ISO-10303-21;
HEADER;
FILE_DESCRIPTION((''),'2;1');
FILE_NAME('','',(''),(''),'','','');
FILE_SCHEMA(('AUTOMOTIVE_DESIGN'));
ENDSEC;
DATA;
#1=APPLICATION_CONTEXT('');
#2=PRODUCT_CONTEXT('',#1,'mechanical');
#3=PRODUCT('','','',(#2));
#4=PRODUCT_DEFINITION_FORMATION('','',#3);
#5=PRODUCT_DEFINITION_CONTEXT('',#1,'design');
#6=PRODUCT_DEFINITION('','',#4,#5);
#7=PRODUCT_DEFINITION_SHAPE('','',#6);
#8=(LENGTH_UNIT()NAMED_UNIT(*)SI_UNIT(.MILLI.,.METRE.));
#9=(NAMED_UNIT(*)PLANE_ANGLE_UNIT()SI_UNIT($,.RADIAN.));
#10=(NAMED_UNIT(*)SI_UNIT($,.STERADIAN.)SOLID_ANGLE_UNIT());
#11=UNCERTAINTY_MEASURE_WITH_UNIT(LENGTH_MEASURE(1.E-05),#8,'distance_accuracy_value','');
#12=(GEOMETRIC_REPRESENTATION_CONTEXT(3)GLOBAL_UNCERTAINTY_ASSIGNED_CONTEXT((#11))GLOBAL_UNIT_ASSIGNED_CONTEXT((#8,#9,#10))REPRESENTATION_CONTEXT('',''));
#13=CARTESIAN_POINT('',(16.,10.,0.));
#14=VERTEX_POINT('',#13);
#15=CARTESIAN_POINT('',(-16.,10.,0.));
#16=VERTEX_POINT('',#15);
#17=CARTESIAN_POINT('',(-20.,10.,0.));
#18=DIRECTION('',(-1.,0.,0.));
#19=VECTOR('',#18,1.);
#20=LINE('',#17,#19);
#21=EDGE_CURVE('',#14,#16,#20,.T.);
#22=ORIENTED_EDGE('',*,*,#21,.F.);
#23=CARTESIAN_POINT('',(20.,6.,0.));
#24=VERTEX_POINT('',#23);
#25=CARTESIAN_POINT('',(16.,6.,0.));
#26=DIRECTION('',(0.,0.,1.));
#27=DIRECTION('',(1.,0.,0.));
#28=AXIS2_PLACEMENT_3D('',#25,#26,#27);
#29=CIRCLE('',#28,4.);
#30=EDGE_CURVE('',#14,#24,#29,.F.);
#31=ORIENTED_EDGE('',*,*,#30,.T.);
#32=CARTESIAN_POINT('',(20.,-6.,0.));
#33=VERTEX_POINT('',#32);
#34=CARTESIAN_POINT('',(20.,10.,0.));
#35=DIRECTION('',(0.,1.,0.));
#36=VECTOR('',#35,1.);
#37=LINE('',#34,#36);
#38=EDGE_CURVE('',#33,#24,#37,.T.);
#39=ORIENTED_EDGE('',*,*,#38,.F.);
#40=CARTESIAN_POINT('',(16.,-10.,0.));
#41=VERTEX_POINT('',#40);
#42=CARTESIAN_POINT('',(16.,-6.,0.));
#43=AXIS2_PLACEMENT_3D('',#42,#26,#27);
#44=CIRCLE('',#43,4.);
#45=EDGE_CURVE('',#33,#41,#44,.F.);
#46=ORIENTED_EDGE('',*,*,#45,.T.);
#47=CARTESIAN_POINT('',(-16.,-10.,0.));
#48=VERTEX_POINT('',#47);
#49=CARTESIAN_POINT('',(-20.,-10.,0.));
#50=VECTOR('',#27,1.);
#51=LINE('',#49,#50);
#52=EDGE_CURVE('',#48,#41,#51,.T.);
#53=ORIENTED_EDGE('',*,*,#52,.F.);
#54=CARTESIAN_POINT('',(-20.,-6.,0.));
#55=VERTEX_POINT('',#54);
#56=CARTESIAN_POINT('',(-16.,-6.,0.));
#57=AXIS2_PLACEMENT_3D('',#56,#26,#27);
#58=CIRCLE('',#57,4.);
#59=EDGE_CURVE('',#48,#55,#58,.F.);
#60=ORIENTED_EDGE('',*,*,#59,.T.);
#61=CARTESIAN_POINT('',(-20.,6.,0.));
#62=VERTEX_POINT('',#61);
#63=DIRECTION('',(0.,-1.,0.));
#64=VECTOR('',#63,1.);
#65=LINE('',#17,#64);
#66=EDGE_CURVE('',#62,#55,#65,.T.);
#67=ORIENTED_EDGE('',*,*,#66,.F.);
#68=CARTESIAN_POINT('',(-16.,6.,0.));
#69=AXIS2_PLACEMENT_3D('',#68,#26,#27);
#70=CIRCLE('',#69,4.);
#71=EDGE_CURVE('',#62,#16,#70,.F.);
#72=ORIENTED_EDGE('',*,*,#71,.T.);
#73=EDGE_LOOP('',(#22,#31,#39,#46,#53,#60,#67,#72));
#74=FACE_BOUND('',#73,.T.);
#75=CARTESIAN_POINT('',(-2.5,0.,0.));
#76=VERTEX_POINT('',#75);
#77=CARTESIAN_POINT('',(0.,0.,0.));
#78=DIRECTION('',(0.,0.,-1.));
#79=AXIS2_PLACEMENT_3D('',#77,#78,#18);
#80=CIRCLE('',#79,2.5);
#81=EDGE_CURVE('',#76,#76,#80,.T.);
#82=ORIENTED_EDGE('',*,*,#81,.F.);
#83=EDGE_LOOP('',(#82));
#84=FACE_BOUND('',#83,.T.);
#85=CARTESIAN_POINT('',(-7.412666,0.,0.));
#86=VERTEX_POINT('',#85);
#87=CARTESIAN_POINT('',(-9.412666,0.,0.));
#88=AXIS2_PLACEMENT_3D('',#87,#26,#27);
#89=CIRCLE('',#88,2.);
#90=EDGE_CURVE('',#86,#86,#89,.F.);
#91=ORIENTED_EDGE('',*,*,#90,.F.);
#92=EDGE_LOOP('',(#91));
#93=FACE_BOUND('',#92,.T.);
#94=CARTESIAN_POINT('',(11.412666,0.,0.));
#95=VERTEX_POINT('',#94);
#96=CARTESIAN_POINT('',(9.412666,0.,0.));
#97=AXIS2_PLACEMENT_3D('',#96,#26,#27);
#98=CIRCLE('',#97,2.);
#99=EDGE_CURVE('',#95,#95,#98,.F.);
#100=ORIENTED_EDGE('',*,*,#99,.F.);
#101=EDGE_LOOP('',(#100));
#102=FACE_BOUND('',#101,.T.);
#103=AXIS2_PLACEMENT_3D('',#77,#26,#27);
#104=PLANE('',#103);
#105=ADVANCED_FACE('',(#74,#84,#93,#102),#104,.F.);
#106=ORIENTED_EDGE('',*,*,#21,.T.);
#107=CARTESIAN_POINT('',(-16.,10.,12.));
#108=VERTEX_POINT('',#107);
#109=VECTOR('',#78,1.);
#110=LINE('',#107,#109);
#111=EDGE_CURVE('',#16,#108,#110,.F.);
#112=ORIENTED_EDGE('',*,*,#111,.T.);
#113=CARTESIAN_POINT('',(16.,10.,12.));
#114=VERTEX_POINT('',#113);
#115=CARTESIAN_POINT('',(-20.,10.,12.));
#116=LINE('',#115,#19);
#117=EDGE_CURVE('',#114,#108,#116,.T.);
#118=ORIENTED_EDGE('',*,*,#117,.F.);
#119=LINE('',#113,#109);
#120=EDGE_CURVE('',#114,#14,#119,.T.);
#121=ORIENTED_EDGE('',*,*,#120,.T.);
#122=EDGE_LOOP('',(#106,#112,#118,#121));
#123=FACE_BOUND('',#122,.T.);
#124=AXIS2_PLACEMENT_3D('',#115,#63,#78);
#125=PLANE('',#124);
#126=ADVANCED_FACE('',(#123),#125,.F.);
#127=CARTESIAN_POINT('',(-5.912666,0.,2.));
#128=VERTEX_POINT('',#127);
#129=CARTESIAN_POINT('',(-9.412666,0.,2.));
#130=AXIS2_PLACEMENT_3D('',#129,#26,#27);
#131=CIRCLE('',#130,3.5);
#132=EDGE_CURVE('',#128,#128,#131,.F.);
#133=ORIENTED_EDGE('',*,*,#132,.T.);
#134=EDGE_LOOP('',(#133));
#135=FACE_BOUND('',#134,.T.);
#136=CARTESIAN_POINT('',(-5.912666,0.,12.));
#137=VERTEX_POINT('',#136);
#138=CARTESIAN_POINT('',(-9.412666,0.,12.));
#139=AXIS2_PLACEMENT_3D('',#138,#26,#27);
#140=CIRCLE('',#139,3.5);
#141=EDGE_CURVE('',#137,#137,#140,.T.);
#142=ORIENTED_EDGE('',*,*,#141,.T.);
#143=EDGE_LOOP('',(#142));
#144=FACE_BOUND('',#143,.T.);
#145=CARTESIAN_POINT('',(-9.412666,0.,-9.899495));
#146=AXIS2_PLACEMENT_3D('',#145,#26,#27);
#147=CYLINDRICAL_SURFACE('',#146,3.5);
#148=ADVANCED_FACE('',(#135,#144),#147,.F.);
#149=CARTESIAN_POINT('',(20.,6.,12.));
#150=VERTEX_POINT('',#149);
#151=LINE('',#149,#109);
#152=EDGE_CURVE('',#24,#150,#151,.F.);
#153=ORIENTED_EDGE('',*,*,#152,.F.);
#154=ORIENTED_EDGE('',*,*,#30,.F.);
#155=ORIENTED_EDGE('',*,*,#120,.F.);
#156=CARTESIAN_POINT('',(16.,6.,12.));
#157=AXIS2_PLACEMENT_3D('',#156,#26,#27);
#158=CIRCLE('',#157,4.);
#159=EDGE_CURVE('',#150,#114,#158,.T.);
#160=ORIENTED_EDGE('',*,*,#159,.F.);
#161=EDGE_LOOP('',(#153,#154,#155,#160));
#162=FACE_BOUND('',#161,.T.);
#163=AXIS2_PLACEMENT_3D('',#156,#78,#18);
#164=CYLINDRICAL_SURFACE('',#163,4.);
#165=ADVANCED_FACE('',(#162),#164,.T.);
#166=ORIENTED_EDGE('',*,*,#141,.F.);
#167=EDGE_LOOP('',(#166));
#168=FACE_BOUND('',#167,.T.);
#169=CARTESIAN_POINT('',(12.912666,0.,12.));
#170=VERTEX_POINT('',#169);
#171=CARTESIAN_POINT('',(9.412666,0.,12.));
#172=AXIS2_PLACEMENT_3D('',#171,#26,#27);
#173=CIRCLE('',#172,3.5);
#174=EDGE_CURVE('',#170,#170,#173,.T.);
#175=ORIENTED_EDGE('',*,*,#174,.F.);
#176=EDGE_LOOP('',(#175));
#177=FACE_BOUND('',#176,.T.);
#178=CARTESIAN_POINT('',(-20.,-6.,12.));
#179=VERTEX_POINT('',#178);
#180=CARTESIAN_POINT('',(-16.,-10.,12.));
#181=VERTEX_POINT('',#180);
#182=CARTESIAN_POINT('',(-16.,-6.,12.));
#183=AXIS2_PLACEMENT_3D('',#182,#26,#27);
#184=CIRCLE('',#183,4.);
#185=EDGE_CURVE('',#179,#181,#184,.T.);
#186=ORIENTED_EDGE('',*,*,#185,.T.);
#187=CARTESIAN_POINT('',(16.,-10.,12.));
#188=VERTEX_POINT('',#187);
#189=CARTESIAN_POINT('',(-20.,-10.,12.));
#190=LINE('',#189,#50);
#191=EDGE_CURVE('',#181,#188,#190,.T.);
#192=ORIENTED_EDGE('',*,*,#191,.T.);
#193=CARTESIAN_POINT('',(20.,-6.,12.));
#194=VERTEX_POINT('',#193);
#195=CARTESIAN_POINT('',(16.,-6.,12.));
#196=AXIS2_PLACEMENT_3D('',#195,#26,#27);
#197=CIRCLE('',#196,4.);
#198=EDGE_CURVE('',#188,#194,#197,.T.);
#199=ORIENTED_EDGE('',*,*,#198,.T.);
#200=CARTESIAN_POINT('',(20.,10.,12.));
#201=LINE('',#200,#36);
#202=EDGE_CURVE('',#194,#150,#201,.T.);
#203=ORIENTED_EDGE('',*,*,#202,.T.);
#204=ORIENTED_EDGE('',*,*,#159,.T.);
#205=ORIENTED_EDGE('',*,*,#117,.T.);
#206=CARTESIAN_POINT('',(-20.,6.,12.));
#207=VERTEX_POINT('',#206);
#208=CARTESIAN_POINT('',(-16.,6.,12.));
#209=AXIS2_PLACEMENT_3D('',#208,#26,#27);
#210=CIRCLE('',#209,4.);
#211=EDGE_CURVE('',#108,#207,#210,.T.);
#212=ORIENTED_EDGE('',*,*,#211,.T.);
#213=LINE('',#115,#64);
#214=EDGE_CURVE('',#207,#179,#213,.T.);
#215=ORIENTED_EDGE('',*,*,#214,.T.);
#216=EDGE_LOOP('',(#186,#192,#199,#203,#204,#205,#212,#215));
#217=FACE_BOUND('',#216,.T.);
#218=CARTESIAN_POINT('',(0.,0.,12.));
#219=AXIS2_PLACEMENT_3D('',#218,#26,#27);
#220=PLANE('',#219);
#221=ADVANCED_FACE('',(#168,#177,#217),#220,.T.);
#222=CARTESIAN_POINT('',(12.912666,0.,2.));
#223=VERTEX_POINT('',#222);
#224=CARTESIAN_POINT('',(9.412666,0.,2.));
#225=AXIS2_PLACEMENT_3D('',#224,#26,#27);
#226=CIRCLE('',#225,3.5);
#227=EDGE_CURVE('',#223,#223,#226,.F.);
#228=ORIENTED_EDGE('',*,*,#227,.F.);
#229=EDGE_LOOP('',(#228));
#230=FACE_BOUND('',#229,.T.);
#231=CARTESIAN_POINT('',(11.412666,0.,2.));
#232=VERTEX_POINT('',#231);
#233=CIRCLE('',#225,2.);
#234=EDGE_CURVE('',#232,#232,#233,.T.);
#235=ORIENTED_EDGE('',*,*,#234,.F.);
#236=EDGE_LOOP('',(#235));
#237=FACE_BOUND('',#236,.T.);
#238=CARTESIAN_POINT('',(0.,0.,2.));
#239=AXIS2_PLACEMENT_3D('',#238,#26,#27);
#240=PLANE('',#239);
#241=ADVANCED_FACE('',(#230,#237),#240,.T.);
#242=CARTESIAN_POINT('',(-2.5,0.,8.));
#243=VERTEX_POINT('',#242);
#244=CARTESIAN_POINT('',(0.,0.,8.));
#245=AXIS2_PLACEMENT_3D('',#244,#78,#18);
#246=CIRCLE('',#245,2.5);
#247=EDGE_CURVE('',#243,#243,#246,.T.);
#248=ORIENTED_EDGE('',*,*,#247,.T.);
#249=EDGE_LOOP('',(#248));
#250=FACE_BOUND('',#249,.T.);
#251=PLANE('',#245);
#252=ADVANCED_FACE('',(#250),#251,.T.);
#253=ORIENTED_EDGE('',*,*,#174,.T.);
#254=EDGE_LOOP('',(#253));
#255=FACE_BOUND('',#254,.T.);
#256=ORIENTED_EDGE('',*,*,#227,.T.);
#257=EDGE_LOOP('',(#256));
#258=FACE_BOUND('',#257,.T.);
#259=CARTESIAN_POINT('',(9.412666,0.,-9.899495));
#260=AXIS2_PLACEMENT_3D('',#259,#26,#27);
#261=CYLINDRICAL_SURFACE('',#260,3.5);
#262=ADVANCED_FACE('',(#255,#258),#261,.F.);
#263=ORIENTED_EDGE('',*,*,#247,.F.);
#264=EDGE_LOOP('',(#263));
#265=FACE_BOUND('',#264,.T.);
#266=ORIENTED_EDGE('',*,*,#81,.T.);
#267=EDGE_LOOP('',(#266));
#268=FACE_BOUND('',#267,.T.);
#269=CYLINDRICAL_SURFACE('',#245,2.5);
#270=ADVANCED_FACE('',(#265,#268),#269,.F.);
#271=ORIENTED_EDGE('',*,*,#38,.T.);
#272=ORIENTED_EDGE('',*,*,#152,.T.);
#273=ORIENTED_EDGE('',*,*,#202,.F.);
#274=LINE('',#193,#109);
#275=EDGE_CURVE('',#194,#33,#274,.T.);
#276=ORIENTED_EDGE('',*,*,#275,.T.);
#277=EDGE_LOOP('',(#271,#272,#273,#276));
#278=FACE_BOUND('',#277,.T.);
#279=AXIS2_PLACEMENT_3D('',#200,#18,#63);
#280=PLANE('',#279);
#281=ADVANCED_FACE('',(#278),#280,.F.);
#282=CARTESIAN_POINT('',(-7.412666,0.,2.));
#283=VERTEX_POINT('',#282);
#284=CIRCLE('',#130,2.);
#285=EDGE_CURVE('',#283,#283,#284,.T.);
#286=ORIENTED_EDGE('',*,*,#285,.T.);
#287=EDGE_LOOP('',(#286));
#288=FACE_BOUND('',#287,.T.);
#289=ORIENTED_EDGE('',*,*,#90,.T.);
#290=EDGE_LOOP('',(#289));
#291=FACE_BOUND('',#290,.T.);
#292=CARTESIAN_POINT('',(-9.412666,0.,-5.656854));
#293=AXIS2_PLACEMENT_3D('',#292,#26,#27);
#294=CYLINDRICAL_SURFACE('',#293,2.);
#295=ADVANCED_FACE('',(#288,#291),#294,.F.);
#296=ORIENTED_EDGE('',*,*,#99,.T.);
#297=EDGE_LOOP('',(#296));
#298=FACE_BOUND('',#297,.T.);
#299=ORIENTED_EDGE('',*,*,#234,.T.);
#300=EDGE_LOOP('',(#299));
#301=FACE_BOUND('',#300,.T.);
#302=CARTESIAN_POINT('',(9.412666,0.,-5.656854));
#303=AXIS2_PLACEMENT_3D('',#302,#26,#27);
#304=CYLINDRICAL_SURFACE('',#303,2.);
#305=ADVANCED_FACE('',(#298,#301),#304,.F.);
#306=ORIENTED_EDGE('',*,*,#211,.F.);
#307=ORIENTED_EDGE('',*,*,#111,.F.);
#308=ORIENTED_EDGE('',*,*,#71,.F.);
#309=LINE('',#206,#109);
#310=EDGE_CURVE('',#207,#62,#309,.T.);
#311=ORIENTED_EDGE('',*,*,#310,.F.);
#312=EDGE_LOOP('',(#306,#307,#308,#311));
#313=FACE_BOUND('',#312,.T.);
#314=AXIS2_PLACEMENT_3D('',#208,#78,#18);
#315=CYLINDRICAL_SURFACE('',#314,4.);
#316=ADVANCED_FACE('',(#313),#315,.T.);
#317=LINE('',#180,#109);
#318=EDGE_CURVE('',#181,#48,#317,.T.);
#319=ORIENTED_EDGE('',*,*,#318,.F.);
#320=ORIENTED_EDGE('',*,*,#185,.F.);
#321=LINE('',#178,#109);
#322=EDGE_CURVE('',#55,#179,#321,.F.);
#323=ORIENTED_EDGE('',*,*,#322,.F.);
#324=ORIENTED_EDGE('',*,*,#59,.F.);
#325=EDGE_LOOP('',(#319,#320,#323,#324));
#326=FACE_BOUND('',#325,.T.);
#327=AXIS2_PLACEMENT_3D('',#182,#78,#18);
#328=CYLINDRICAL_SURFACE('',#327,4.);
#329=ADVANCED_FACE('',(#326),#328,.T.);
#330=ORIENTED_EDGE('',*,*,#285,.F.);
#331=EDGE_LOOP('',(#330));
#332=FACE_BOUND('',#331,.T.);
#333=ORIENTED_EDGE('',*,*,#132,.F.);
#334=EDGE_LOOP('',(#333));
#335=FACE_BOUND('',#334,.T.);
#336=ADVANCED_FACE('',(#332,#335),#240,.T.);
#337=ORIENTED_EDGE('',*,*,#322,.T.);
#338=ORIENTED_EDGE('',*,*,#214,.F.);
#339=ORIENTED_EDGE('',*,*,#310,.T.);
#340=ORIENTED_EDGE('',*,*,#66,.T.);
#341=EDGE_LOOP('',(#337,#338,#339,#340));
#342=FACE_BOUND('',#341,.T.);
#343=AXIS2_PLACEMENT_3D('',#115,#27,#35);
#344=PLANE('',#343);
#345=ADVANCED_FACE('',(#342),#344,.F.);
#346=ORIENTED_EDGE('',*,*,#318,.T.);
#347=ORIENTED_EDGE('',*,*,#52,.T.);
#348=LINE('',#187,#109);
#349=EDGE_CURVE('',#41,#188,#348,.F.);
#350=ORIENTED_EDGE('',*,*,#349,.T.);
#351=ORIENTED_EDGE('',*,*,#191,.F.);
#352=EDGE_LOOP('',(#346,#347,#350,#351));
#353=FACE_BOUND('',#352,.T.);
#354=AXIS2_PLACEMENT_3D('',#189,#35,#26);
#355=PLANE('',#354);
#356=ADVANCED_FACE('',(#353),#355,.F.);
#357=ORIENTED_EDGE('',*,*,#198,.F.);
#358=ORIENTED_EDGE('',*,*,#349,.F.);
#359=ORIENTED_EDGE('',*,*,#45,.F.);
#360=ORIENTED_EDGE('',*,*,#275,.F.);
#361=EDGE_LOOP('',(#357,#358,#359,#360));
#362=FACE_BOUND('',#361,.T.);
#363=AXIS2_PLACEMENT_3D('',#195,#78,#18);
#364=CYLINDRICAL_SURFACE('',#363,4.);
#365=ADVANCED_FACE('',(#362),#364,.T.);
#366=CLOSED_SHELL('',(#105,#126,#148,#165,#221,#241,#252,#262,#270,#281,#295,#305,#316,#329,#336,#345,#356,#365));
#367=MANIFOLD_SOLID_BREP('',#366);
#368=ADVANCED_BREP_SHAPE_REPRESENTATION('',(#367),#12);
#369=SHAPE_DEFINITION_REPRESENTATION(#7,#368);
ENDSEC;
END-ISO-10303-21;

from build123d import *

# Parameters (mm, degrees)
CROQUIS1_W              = 40
CROQUIS1_H              = 20
SALIENTE_EXTRUIR1_DEPTH = 12
REDONDEO1_R             = 4
CROQUIS2_R              = 2.5
CORTAR_EXTRUIR1_DEPTH   = 8
CROQUIS3_R              = 3.5
CORTAR_EXTRUIR2_DEPTH   = 10
CROQUIS4_R              = 2
CORTAR_EXTRUIR3_DEPTH   = 2


with BuildPart() as part:
    # Croquis1 → Saliente-Extruir1 (new body)
    with BuildSketch(Plane.XY):
        Rectangle(CROQUIS1_W, CROQUIS1_H)
    extrude(amount=SALIENTE_EXTRUIR1_DEPTH)

    # Redondeo1
    redondeo1_edges = [part.edges().sort_by_distance(p)[0] for p in [
        (20, -10, 6),
        (-20, -10, 6),
        (-20, 10, 6),
        (20, 10, 6),
    ]]
    fillet(redondeo1_edges, radius=REDONDEO1_R)

    # Croquis2 → Cortar-Extruir1 (cut)
    with BuildSketch(Plane(origin=(0, 0, 0), x_dir=(-1, 0, 0), z_dir=(0, 0, -1))):
        Circle(CROQUIS2_R)
    extrude(amount=-CORTAR_EXTRUIR1_DEPTH, mode=Mode.SUBTRACT)

    # Croquis3 → Cortar-Extruir2 (cut)
    with BuildSketch(Plane.XY.offset(12)):
        with Locations((-9.41266553, 0)):
            Circle(CROQUIS3_R)
        with Locations((9.41266553, 0)):
            Circle(CROQUIS3_R)
    extrude(amount=-CORTAR_EXTRUIR2_DEPTH, mode=Mode.SUBTRACT)

    # Croquis4 → Cortar-Extruir3 (cut)
    with BuildSketch(Plane.XY.offset(2)):
        with Locations((-9.41266553, 0)):
            Circle(CROQUIS4_R)
        with Locations((9.41266553, 0)):
            Circle(CROQUIS4_R)
    extrude(amount=-CORTAR_EXTRUIR3_DEPTH, mode=Mode.SUBTRACT)


solid = part.part
